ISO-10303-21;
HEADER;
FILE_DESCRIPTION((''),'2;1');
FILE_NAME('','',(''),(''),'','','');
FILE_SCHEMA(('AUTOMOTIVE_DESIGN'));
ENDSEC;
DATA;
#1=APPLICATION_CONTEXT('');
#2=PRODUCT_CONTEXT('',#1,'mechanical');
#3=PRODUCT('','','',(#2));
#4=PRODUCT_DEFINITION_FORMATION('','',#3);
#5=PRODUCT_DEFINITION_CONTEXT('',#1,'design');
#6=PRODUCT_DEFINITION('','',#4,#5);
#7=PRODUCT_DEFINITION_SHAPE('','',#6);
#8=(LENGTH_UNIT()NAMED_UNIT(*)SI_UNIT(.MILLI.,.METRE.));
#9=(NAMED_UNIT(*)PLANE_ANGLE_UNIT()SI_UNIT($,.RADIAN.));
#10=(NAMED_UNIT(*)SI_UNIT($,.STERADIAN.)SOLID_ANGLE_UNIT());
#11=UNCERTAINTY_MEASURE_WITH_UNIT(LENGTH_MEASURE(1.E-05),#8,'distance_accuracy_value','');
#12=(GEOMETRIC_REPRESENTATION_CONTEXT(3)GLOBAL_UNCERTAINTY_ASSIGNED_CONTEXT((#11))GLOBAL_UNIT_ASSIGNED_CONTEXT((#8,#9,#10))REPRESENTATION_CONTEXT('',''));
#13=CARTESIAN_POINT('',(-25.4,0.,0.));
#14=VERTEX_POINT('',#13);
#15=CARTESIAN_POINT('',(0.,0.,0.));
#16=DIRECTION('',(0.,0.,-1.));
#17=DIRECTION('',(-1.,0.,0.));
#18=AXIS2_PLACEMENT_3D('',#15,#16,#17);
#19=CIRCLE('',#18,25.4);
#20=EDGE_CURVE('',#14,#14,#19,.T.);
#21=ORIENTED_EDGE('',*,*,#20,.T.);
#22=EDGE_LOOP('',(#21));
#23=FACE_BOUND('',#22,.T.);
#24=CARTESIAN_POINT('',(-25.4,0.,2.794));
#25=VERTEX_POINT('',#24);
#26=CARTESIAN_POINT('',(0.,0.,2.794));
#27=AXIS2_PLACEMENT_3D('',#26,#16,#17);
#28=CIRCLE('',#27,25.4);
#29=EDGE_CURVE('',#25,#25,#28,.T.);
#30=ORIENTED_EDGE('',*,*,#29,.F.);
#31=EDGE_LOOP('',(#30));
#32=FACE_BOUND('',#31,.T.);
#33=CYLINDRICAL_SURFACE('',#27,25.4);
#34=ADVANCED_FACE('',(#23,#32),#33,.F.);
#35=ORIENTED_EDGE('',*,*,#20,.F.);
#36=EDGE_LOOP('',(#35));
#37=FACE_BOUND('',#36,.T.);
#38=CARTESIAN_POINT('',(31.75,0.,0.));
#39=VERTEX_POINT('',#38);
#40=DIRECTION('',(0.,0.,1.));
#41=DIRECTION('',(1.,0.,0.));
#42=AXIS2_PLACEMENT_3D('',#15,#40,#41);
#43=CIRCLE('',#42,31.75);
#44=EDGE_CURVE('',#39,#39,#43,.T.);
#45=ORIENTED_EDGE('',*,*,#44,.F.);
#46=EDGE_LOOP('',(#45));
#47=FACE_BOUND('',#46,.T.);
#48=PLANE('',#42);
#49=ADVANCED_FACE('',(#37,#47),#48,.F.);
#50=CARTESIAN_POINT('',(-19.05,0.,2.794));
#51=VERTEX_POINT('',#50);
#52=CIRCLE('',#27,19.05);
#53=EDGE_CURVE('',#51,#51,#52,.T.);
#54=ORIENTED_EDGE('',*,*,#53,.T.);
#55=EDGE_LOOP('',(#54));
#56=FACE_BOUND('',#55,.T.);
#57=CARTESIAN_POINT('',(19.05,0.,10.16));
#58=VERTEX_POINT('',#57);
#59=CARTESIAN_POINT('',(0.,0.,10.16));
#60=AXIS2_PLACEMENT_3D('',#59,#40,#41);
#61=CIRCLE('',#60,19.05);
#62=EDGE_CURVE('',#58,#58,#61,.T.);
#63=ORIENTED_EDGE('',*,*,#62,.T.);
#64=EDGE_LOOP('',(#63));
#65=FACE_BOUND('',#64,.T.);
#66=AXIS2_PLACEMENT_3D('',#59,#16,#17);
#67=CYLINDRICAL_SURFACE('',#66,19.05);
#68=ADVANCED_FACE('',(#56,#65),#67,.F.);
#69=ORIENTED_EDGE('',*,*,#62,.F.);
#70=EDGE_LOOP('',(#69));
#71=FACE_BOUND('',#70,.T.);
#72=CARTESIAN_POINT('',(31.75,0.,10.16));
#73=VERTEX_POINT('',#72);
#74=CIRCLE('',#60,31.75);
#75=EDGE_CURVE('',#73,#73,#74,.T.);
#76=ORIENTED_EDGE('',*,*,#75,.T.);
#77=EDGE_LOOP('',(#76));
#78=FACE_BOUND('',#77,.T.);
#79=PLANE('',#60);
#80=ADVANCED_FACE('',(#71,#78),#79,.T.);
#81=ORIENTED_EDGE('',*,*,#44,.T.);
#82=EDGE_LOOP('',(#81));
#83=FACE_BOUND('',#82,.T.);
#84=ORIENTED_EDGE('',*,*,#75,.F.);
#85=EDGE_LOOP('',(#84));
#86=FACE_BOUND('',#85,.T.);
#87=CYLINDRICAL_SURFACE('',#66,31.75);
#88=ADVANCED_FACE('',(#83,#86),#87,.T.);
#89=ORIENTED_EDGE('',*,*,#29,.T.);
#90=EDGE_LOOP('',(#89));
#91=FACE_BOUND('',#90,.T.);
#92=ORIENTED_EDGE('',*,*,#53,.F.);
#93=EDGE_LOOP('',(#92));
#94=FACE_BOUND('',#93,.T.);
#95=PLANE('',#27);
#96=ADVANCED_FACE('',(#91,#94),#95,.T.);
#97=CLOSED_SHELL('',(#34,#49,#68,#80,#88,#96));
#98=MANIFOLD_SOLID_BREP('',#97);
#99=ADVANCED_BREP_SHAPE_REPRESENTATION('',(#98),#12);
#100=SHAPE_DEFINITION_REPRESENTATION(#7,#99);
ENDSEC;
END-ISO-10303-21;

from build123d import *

# Parameters (mm, degrees)
SKETCH1_R           = 31.75
SKETCH1_R_2         = 19.05
BOSS_EXTRUDE1_DEPTH = 10.16
SKETCH2_R           = 25.4
SKETCH2_R_2         = 19.05
CUT_EXTRUDE1_DEPTH  = 2.794


with BuildPart() as part:
    # Sketch1 → Boss-Extrude1 (new body)
    with BuildSketch(Plane.XY):
        Circle(SKETCH1_R)
        Circle(SKETCH1_R_2, mode=Mode.SUBTRACT)
    extrude(amount=BOSS_EXTRUDE1_DEPTH)

    # Sketch2 → Cut-Extrude1 (cut)
    with BuildSketch(Plane(origin=(0, 0, 0), x_dir=(-1, 0, 0), z_dir=(0, 0, -1))):
        Circle(SKETCH2_R)
        Circle(SKETCH2_R_2, mode=Mode.SUBTRACT)
    extrude(amount=-CUT_EXTRUDE1_DEPTH, mode=Mode.SUBTRACT)


solid = part.part
